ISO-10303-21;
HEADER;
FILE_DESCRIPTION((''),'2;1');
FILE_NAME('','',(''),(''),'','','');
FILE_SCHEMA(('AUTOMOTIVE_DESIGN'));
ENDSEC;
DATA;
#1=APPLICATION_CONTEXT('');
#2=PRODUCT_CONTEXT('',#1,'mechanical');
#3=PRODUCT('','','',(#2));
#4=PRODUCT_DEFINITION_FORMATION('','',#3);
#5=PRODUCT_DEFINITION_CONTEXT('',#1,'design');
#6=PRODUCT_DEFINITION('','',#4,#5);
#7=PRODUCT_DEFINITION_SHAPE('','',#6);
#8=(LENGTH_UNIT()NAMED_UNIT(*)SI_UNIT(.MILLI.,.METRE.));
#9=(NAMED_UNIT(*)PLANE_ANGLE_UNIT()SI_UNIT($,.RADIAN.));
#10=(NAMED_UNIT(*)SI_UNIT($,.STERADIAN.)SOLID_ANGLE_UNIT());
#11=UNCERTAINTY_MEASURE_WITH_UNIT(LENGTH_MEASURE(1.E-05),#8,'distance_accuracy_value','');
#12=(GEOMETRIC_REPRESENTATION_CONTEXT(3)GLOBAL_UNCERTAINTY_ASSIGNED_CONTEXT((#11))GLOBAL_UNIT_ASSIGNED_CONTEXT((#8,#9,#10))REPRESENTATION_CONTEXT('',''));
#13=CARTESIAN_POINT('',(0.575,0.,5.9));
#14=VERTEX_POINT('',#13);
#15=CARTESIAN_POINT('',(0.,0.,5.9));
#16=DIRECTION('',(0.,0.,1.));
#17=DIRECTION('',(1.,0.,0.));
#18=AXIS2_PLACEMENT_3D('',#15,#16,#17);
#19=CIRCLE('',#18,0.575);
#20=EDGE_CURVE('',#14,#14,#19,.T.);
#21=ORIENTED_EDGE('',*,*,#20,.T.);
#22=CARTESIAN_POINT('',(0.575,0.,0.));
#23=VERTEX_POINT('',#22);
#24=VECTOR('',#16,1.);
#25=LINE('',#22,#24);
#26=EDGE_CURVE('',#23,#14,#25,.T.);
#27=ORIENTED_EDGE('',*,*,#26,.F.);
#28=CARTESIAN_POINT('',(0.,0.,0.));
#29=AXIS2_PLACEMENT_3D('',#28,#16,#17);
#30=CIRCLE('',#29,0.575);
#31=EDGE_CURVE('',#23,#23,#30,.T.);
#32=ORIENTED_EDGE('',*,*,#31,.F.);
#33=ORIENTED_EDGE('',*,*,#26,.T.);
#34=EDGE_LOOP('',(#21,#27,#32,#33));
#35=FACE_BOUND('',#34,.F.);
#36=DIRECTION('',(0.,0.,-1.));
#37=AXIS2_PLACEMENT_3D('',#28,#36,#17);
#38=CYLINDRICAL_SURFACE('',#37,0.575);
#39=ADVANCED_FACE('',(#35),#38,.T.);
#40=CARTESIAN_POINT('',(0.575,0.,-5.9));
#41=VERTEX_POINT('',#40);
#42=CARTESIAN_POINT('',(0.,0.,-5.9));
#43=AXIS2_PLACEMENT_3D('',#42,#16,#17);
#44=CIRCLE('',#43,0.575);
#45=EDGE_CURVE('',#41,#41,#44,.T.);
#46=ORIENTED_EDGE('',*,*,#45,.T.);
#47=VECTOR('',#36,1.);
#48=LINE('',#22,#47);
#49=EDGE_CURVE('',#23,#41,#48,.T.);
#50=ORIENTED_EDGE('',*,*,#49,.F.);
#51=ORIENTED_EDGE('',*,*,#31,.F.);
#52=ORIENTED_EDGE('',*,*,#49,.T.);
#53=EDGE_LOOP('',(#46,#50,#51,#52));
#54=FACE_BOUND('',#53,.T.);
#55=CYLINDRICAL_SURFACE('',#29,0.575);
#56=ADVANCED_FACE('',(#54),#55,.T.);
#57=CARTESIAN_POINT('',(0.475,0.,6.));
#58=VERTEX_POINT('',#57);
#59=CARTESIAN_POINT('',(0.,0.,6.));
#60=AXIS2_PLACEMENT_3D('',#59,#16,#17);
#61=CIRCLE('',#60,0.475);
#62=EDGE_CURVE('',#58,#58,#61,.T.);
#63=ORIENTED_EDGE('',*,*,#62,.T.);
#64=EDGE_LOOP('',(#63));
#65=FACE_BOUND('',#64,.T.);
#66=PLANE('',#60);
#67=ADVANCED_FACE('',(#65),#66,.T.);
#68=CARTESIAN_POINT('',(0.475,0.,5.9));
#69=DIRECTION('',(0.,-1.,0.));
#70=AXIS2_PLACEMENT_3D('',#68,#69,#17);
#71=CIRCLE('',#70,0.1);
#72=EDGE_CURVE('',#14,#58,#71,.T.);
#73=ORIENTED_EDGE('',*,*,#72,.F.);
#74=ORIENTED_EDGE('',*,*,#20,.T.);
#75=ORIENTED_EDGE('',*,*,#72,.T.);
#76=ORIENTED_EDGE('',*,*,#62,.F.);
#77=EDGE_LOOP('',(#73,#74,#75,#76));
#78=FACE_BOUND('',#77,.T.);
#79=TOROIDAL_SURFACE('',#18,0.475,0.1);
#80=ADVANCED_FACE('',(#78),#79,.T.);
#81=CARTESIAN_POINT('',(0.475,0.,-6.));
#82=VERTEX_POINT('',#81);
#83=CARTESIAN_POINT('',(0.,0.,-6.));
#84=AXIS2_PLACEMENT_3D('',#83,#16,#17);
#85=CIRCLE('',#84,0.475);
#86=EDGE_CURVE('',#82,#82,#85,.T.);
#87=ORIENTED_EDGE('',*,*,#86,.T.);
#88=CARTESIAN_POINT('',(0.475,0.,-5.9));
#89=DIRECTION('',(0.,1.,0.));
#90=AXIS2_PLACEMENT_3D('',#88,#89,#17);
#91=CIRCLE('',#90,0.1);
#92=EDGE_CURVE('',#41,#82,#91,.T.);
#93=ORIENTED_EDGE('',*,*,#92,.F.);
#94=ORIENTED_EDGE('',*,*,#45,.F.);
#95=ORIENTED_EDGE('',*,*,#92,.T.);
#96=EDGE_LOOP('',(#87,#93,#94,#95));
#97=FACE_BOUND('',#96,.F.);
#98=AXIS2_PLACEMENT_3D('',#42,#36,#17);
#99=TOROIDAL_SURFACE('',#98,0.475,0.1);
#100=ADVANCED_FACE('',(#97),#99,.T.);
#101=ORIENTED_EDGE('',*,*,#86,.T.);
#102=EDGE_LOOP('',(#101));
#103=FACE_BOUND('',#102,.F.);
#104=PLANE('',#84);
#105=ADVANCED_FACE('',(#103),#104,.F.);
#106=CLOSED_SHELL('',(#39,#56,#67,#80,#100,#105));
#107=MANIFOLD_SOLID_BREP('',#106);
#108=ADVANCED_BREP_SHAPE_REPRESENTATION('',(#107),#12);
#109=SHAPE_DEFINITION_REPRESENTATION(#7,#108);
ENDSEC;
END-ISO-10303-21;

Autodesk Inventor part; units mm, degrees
ref_plane "YZ Plane" through (0, 0, 0) normal (1, 0, 0) x (0, 1, 0)
ref_plane "XZ Plane" through (0, 0, 0) normal (0, 1, 0) x (-1, 0, 0)
ref_plane "XY Plane" through (0, 0, 0) normal (0, 0, 1) x (1, 0, 0)
sketch "Sketch1" plane through (0, 0, 0) normal (0, 0, 1) x (1, 0, 0)
  circle A0 centre (0, 0) radius 0.575
  dimension "d0" = 1.15
extrude "Extrusion1" add sketch "Sketch1" along normal mid plane 12
fillet "Fillet1" radius 0.1 2 edges at (-0.575, 0, 6) (-0.575, 0, -6)
properties part number "asje klein"
